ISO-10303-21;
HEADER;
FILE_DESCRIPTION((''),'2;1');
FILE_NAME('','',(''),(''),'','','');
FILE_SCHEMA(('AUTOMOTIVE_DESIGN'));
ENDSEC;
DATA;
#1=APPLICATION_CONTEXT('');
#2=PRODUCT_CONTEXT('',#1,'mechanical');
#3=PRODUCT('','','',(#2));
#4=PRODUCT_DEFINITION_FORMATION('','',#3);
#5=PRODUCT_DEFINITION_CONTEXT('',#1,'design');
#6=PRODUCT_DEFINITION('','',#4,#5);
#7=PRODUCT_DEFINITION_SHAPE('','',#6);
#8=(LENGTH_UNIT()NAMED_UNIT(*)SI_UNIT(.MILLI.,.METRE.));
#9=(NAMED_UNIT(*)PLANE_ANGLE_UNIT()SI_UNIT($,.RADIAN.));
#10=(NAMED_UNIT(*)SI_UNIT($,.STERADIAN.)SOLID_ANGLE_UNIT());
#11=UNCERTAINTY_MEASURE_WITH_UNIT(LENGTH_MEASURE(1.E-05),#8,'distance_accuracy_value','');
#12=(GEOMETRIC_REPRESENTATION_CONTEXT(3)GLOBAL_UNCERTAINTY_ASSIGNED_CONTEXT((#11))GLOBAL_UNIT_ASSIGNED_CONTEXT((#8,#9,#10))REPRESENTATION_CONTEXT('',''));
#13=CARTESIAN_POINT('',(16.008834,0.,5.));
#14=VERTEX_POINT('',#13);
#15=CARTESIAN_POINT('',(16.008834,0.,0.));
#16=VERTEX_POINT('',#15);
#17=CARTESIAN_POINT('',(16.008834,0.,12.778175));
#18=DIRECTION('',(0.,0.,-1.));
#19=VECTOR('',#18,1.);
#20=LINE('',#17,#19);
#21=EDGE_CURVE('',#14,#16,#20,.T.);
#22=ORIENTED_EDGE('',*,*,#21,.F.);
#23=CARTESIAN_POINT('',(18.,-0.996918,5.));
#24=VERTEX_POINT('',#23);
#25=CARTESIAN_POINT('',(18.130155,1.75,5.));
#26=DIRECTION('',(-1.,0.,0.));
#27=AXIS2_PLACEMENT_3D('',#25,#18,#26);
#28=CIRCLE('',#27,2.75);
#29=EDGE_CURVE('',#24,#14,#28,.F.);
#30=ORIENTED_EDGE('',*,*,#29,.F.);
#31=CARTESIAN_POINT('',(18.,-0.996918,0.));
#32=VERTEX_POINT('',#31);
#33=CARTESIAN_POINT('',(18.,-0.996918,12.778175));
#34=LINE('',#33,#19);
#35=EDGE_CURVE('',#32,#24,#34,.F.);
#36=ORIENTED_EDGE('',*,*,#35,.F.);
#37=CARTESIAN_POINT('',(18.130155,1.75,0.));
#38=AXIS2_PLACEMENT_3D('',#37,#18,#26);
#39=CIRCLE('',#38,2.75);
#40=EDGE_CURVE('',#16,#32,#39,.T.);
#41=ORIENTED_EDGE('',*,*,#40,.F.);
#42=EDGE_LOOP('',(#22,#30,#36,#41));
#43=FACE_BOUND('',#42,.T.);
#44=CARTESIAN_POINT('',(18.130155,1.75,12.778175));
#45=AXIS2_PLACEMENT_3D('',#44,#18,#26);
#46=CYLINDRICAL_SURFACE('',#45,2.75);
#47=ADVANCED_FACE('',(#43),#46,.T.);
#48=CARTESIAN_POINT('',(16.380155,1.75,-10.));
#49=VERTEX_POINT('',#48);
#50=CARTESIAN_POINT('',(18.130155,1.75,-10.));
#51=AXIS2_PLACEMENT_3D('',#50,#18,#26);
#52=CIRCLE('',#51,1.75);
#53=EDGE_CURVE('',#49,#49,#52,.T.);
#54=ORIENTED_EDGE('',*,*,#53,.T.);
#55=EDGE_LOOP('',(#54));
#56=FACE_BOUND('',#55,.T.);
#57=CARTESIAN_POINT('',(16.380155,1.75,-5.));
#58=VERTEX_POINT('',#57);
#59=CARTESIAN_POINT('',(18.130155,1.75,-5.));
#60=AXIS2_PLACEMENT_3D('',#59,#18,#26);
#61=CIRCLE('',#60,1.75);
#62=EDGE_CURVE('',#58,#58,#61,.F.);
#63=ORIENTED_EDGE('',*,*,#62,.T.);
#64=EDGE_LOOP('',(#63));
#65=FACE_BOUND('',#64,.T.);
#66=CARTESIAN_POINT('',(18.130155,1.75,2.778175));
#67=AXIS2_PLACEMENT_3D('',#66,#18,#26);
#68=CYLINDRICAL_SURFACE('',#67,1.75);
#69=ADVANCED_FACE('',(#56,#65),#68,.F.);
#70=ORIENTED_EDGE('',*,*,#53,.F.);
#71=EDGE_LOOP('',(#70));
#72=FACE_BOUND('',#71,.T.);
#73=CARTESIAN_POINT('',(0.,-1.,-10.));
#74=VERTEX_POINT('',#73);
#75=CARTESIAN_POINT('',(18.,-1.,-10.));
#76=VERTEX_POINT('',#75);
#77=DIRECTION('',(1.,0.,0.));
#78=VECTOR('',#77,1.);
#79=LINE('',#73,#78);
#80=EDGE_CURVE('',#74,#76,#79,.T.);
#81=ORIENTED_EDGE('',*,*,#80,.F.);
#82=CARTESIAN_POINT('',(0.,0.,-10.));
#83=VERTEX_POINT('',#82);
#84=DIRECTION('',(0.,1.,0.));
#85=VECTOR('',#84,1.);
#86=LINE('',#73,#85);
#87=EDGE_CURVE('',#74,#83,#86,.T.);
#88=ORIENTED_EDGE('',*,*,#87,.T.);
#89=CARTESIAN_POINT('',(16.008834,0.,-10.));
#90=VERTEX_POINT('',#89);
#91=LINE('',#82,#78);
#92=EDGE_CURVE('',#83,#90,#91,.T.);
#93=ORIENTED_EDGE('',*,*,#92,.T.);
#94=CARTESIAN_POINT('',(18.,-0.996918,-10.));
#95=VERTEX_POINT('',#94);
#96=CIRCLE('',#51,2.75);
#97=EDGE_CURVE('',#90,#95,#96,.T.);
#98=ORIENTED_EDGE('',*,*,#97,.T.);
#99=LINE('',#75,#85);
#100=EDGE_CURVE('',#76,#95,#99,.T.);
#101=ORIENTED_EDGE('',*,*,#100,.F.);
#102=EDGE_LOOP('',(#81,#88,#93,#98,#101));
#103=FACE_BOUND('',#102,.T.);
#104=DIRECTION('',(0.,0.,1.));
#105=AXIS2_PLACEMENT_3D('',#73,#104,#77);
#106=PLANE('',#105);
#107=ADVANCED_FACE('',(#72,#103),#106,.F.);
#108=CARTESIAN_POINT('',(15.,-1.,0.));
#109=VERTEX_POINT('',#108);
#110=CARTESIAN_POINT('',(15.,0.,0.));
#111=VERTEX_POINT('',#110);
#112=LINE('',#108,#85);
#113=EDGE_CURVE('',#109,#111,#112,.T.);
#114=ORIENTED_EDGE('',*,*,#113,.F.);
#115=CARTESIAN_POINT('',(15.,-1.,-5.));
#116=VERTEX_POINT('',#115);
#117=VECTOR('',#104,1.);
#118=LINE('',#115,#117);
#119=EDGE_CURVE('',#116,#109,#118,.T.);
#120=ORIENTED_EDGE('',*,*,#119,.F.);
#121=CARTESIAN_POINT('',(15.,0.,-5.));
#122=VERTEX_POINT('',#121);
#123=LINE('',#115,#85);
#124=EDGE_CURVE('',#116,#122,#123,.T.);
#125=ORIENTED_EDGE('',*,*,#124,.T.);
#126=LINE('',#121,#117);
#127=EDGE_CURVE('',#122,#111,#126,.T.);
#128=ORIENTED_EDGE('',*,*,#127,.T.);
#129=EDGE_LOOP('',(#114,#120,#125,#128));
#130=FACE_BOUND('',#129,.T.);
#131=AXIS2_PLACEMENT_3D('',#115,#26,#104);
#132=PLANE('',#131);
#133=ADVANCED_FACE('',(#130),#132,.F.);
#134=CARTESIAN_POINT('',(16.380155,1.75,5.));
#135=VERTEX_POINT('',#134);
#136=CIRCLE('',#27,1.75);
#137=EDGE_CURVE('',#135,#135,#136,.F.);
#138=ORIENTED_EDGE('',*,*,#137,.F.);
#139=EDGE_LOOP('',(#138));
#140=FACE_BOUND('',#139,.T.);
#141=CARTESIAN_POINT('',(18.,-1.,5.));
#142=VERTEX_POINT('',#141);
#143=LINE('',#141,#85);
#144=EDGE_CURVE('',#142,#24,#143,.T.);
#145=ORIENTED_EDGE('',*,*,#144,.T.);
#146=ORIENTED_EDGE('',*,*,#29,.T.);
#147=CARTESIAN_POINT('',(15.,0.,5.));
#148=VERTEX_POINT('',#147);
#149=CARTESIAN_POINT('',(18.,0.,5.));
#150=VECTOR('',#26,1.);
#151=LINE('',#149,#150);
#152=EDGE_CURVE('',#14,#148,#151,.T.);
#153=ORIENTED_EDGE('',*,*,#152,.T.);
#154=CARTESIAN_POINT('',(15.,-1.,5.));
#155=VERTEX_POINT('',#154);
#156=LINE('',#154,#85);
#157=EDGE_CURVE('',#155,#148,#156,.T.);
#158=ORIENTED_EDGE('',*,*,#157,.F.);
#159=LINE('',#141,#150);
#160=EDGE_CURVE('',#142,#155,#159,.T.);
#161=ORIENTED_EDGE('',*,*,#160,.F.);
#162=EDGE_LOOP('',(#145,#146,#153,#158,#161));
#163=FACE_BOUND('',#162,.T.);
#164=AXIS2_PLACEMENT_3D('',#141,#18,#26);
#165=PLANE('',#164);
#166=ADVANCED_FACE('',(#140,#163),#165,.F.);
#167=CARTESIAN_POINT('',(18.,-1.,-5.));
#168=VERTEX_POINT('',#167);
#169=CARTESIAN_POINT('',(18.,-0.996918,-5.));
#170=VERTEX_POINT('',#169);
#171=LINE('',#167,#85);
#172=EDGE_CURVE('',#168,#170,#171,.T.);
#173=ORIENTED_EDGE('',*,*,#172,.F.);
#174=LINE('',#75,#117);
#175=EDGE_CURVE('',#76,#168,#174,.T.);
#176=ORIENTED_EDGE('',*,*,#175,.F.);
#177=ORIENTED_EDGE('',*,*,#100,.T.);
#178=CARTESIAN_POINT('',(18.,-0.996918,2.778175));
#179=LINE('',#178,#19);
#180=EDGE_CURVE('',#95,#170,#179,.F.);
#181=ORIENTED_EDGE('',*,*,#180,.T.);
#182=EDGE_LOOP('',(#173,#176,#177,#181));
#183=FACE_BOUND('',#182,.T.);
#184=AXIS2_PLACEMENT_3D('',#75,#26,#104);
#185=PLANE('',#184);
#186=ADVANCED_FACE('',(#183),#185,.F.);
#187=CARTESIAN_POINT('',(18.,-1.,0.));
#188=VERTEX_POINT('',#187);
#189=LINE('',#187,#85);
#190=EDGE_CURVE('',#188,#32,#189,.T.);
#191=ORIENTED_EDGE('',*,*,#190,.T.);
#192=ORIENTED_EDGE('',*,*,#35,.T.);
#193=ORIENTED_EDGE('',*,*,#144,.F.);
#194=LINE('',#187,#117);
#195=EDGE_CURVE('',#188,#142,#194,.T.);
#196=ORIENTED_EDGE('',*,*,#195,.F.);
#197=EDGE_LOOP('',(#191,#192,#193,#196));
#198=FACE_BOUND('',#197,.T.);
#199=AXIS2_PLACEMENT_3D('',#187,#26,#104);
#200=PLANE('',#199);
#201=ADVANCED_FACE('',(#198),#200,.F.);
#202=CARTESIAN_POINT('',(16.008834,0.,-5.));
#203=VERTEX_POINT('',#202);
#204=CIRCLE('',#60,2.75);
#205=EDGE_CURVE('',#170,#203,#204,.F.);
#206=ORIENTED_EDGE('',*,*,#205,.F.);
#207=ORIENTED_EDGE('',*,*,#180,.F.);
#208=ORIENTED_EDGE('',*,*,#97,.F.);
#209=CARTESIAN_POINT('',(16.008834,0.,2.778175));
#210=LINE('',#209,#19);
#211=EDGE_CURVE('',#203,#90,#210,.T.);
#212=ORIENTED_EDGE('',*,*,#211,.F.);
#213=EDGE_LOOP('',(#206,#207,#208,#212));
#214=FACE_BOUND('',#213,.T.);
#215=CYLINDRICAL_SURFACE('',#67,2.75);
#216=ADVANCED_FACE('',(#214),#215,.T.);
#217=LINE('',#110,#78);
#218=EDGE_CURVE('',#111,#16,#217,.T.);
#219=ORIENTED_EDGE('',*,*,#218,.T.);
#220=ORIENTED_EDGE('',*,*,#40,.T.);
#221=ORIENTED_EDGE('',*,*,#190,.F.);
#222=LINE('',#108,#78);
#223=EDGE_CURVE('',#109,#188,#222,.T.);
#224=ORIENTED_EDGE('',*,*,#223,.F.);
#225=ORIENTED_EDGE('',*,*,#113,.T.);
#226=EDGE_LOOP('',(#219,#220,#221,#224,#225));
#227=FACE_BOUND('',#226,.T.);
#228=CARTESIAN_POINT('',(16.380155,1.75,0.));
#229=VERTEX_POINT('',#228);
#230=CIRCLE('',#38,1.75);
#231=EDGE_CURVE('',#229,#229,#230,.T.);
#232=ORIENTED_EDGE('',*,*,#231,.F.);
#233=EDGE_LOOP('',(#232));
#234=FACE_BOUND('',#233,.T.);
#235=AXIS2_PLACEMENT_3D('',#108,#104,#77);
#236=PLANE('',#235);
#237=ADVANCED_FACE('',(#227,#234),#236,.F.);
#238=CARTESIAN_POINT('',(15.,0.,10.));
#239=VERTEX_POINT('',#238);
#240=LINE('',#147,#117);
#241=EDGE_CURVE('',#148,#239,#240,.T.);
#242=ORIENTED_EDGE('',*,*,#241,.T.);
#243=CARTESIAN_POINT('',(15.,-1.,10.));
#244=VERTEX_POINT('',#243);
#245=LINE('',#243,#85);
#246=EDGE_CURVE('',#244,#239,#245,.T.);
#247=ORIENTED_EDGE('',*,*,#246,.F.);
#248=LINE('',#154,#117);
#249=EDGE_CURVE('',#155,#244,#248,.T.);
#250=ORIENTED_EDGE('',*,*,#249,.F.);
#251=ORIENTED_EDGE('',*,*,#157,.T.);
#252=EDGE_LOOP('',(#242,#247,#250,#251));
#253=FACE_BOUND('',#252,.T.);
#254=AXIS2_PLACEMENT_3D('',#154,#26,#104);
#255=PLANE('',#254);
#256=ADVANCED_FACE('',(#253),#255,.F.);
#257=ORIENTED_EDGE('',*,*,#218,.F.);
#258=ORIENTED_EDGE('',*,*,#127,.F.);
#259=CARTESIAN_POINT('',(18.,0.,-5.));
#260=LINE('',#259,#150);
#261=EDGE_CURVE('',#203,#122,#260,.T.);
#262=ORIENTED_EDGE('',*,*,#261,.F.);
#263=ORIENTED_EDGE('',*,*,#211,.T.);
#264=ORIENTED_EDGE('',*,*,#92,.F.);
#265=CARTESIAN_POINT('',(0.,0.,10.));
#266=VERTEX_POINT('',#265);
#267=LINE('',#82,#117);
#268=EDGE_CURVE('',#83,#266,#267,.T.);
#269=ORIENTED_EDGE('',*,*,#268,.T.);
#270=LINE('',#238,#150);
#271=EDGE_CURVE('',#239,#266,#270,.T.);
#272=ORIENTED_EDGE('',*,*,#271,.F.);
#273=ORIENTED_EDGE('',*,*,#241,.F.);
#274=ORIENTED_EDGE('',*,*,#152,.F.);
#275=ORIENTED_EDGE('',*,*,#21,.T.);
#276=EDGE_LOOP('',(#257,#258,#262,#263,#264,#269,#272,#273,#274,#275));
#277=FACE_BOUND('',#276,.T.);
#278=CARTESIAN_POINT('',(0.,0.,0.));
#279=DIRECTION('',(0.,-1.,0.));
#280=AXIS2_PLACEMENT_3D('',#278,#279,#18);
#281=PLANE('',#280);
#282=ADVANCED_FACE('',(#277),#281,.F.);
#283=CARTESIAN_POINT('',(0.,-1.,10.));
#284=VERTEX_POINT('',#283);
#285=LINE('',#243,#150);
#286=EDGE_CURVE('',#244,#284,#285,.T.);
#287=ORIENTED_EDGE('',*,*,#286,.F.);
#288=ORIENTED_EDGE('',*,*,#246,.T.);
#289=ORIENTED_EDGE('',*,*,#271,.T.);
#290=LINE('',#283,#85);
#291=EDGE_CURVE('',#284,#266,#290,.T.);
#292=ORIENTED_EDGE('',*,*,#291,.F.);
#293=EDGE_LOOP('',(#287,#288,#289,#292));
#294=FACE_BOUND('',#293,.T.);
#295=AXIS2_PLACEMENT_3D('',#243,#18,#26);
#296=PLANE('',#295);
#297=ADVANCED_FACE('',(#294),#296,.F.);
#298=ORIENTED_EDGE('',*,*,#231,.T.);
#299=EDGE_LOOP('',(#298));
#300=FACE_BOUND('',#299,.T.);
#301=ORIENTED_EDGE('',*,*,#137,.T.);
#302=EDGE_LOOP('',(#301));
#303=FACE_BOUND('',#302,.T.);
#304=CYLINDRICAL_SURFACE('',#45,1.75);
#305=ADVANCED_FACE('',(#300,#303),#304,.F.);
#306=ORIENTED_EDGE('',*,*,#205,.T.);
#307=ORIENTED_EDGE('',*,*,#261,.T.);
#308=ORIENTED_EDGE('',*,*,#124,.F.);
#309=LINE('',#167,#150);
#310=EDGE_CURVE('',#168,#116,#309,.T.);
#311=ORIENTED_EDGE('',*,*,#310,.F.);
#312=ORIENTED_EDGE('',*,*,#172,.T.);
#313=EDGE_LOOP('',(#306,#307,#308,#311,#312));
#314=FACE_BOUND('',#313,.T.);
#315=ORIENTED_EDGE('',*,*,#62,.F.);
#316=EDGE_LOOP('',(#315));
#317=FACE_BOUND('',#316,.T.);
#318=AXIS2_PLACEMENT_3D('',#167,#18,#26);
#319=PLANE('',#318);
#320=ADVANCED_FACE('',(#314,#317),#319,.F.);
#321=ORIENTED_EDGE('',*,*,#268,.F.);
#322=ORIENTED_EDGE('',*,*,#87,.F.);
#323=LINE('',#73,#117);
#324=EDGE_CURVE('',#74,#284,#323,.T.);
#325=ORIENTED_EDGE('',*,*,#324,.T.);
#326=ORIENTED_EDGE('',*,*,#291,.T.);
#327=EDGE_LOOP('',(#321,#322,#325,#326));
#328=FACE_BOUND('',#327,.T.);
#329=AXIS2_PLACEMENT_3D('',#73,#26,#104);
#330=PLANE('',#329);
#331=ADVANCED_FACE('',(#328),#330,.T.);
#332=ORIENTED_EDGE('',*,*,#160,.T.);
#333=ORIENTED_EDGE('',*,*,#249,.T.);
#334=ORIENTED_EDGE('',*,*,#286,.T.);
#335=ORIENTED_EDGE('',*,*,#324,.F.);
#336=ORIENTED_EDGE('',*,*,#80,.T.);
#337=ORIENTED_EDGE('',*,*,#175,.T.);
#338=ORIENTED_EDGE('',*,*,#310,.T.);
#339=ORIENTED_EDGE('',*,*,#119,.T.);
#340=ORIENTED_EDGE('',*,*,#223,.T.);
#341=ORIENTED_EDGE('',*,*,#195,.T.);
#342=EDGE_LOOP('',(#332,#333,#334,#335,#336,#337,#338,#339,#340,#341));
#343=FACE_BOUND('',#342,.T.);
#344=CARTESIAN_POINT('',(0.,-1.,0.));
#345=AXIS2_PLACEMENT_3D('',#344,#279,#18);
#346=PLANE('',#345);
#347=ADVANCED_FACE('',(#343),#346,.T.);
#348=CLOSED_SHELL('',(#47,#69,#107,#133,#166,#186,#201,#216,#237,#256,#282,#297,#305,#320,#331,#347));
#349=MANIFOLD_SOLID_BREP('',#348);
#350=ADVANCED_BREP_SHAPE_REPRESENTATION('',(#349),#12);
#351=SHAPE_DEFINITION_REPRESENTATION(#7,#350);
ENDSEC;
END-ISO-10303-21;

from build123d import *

# Parameters (mm, degrees)
BOSS_EXTRUDE1_DEPTH = 1
SKETCH2_R           = 2.75
SKETCH2_R_2         = 1.75
BOSS_EXTRUDE2_DEPTH = 5
SKETCH3_R           = 2.75
SKETCH3_R_2         = 1.75
BOSS_EXTRUDE3_DEPTH = 5


with BuildPart() as part:
    # Sketch1 → Boss-Extrude1 (new body)
    with BuildSketch(Plane(origin=(0, 0, 0), x_dir=(1, 0, 0), z_dir=(0, 1, 0))):
        Polygon((0, 10), (0, -10), (15, -10), (15, -5), (18, -5), (18, 0), (15, 0), (15, 5), (18, 5), (18, 10), align=None)
    extrude(amount=-BOSS_EXTRUDE1_DEPTH)

    # Sketch2 → Boss-Extrude2 (add)
    with BuildSketch(Plane(origin=(0, 0, -10), x_dir=(-1, 0, 0), z_dir=(0, 0, -1))):
        with Locations((-18.130154704, 1.75)):
            Circle(SKETCH2_R)
        with Locations((-18.130154704, 1.75)):
            Circle(SKETCH2_R_2, mode=Mode.SUBTRACT)
    extrude(amount=-BOSS_EXTRUDE2_DEPTH)

    # Sketch3 → Boss-Extrude3 (add)
    with BuildSketch(Plane(origin=(0, 0, 0), x_dir=(-1, 0, 0), z_dir=(0, 0, -1))):
        with Locations((-18.130154704, 1.75)):
            Circle(SKETCH3_R)
        with Locations((-18.130154704, 1.75)):
            Circle(SKETCH3_R_2, mode=Mode.SUBTRACT)
    extrude(amount=-BOSS_EXTRUDE3_DEPTH)


solid = part.part
